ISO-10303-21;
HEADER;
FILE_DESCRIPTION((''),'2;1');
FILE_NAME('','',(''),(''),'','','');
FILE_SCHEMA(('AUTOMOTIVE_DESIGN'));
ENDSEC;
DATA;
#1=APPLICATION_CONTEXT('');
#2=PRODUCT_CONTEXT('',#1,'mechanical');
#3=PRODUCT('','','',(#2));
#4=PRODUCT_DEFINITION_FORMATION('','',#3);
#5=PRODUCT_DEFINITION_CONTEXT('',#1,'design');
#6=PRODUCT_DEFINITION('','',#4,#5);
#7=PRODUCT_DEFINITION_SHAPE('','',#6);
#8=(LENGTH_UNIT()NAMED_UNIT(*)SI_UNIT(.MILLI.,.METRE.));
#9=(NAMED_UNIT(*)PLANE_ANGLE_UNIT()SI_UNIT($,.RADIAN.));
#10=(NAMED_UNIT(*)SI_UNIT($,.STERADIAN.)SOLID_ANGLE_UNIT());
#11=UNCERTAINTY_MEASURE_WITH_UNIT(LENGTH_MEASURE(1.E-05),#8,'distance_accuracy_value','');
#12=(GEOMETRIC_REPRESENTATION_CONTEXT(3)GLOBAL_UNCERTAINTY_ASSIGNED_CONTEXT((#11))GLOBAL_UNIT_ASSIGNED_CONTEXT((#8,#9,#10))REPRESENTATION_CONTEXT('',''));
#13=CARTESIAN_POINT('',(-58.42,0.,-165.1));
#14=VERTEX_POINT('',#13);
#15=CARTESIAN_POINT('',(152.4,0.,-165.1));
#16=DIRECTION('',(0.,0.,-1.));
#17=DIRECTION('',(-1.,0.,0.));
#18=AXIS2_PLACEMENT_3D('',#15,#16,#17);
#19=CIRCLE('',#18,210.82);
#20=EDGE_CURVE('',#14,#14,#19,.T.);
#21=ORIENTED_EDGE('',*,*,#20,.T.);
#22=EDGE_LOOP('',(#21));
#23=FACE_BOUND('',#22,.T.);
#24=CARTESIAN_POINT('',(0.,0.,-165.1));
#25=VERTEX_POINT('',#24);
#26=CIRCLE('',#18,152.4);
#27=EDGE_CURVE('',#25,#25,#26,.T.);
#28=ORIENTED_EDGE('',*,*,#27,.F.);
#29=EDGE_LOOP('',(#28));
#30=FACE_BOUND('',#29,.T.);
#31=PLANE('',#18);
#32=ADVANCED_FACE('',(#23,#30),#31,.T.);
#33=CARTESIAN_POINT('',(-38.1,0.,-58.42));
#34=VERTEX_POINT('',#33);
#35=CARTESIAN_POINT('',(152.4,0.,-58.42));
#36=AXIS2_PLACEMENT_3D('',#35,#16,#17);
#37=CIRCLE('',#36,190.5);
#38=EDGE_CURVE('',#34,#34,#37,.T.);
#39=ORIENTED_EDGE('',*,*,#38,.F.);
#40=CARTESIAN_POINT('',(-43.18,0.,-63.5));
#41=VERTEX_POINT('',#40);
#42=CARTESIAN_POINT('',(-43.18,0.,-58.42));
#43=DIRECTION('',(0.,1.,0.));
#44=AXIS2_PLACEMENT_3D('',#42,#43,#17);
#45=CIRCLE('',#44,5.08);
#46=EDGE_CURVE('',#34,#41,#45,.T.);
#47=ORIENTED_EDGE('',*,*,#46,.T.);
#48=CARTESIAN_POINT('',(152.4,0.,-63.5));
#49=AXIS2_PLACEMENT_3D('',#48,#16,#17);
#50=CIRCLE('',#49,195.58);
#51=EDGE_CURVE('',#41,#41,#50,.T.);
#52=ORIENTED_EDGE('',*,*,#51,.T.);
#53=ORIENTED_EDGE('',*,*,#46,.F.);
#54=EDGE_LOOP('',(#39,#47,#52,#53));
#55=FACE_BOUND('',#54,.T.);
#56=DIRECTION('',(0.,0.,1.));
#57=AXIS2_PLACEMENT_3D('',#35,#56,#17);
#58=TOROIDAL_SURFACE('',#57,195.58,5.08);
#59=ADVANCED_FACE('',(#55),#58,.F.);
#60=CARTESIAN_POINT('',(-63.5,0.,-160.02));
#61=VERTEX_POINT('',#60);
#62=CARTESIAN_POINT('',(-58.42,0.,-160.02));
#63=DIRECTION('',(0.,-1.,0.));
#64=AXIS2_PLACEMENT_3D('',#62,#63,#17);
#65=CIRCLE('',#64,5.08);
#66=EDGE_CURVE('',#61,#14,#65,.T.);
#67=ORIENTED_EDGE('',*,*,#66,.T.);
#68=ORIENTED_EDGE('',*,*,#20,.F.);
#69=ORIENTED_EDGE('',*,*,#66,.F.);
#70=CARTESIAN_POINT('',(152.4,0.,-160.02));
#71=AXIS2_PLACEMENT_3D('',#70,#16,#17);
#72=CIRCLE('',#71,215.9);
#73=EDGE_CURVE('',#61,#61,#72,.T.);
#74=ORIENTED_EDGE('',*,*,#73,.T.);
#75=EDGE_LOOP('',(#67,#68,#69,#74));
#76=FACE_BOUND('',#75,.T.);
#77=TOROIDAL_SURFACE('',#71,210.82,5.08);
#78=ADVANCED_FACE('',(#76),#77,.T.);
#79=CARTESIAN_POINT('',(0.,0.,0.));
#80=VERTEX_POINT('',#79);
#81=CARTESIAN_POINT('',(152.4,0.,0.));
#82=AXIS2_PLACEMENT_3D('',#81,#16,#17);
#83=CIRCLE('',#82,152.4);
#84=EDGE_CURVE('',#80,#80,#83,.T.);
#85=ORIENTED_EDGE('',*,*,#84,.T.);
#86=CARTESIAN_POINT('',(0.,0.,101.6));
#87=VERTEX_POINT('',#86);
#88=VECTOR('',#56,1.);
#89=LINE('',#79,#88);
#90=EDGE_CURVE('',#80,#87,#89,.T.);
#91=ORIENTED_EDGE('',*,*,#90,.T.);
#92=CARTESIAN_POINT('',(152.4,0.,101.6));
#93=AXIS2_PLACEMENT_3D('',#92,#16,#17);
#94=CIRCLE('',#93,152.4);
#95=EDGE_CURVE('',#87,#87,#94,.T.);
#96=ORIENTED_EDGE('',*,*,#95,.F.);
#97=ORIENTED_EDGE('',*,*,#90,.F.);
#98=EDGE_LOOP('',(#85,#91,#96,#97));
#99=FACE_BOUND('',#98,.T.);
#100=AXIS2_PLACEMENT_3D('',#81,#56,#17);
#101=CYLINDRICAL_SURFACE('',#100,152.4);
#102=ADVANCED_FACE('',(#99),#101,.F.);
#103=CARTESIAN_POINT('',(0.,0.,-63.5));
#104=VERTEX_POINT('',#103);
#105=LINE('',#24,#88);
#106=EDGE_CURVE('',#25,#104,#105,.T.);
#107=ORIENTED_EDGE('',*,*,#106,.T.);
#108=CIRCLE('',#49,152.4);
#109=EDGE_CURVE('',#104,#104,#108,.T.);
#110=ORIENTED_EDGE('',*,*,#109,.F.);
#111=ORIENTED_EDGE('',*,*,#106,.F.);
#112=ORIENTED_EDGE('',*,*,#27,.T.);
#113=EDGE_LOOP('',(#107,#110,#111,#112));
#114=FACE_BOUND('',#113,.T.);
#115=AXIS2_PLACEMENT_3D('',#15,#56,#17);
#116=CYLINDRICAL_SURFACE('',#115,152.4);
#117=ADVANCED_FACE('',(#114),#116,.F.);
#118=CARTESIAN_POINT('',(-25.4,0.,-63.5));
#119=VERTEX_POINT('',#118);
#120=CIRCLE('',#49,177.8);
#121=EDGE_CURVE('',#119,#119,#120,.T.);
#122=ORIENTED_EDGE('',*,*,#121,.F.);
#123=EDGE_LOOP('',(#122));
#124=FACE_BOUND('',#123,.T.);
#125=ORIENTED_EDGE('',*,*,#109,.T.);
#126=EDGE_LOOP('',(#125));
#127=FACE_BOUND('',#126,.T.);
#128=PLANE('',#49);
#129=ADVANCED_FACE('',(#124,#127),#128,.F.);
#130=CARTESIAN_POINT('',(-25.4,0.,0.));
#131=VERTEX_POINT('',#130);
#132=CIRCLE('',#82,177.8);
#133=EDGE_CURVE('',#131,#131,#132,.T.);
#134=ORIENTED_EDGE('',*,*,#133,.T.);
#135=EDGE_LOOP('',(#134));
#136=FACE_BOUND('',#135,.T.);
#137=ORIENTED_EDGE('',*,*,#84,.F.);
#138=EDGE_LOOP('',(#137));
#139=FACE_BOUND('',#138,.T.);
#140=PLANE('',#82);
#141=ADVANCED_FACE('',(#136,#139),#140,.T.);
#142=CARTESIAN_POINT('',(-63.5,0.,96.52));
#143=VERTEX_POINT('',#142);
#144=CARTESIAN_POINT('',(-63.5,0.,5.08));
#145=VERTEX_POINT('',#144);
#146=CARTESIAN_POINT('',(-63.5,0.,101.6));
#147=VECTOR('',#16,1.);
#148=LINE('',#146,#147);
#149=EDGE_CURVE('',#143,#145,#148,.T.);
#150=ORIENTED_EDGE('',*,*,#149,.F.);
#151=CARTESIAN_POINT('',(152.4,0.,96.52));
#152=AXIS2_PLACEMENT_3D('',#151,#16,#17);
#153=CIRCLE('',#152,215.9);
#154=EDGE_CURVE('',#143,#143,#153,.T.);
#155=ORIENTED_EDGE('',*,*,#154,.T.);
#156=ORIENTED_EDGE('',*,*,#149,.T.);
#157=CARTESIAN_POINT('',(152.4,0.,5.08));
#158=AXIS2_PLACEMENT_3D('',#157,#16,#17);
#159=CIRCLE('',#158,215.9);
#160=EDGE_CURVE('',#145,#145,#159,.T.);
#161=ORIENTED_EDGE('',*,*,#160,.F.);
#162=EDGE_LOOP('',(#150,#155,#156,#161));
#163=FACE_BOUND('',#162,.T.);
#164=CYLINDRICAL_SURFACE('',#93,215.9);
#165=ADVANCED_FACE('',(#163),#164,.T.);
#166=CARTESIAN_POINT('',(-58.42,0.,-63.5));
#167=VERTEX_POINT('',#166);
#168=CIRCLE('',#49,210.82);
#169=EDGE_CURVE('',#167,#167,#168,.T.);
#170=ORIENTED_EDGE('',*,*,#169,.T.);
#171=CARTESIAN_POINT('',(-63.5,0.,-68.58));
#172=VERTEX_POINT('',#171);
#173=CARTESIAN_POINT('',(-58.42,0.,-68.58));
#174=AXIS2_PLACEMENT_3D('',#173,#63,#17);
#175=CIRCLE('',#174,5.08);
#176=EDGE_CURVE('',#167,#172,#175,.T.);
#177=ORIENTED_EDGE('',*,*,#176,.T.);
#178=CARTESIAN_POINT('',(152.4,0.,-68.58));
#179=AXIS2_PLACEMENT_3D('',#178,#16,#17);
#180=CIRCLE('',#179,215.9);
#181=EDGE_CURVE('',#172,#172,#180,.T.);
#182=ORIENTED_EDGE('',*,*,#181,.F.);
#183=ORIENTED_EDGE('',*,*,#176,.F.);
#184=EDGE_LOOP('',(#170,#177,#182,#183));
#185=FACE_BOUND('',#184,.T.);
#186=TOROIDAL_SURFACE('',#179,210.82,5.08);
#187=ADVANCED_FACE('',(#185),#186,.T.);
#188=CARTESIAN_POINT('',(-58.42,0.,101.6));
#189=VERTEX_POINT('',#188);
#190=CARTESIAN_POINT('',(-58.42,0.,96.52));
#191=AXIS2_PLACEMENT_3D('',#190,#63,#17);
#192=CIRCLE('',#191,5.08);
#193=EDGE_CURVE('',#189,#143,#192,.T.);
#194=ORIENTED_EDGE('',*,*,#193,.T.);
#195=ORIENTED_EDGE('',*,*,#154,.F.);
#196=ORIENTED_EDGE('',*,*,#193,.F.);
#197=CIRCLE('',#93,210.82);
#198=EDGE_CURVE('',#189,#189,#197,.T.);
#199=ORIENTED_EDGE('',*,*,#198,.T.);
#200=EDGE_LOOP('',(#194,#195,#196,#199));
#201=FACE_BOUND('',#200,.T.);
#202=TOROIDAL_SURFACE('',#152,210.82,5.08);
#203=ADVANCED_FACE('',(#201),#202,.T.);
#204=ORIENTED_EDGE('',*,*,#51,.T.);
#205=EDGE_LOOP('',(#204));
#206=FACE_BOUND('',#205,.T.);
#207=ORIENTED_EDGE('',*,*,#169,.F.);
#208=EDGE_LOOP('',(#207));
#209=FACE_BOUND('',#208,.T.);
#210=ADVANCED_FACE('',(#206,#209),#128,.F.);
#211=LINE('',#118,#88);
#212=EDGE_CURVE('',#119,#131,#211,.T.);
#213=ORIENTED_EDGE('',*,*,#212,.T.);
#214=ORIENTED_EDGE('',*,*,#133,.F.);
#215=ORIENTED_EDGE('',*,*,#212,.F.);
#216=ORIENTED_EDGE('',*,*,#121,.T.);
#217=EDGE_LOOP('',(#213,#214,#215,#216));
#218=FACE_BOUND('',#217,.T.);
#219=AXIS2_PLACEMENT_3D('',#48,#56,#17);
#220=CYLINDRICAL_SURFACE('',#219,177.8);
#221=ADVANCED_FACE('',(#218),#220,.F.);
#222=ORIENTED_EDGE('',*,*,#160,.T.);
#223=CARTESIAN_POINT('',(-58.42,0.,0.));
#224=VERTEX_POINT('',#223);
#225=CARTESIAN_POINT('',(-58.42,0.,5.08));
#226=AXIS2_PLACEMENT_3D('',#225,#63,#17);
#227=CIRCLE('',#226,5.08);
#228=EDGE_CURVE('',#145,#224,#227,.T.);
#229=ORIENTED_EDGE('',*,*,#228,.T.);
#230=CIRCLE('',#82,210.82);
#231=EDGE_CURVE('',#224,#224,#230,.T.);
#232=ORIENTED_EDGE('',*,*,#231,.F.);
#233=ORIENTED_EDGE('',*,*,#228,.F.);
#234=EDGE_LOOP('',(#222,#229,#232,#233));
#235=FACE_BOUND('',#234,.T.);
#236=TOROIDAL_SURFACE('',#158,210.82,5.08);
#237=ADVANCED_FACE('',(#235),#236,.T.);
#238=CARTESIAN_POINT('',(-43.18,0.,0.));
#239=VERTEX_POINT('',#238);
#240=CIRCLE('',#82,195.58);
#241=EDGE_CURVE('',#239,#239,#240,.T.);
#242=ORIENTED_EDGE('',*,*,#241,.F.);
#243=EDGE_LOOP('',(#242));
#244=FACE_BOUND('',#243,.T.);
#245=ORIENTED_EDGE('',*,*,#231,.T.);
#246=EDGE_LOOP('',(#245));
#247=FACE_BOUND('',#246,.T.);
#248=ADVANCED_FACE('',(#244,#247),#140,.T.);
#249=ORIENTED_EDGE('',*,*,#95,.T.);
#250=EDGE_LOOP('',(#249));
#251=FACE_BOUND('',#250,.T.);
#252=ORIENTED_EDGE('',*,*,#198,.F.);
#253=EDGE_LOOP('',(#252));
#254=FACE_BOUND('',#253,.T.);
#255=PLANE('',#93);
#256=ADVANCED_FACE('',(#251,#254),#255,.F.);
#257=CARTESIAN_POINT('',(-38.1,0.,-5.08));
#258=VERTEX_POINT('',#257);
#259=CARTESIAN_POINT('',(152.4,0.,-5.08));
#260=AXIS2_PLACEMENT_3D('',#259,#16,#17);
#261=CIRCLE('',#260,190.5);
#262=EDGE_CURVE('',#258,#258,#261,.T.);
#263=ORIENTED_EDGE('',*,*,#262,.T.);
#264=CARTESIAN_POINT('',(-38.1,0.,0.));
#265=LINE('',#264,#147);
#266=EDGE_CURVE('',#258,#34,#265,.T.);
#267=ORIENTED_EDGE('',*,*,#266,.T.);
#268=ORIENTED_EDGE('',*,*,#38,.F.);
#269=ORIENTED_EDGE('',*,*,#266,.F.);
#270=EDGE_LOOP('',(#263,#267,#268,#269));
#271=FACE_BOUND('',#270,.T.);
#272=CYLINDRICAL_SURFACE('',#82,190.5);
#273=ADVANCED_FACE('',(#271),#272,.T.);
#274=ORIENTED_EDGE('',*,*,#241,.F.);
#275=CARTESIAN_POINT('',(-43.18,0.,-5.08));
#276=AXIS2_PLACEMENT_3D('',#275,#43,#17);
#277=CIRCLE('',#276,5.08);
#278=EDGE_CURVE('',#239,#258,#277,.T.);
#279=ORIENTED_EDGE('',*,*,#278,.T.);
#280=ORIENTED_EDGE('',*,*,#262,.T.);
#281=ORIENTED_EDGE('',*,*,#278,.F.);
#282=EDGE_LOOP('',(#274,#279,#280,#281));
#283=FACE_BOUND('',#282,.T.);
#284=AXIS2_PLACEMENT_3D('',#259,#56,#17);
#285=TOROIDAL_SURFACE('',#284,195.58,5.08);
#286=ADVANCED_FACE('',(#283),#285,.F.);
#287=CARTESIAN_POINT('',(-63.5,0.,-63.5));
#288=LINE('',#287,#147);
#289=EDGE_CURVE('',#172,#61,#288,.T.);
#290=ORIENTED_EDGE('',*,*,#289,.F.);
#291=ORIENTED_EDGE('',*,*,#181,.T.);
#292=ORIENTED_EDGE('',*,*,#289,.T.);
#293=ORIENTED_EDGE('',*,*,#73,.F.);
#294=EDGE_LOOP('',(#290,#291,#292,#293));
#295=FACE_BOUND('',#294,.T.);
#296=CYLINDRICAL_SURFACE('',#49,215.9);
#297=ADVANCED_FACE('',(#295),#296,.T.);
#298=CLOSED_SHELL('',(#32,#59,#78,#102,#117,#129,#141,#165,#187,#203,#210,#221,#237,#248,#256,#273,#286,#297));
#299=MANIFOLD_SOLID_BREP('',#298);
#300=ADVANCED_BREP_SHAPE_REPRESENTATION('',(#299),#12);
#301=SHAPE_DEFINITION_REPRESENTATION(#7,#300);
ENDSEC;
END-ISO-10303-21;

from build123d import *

# Parameters (mm, degrees)
F2_R = 5.08


with BuildPart() as f1:
    # F0 (on Front) → F1 (revolve)
    with BuildSketch(Plane.XZ):
        Polygon((-25.4, 0), (0, 0), (0, 101.6), (-63.5, 101.6), (-63.5, 0), (-38.1, 0), (-38.1, -63.5), (-63.5, -63.5), (-63.5, -165.1), (0, -165.1), (0, -63.5), (-25.4, -63.5), align=None)
    revolve(axis=Axis((152.4, 0, -19.5861668587), (0, 0, -1)))

    # F2
    f2_edges = [f1.edges().sort_by_distance(p)[0] for p in [
        (342.9, 0, 0),
        (342.9, 0, -63.5),
        (-38.1, 0, -31.75),
        (368.3, 0, 101.6),
        (368.3, 0, 0),
        (-63.5, 0, 50.8),
        (368.3, 0, -63.5),
        (368.3, 0, -165.1),
        (-63.5, 0, -114.3),
    ]]
    fillet(f2_edges, radius=F2_R)


solid = f1.part
